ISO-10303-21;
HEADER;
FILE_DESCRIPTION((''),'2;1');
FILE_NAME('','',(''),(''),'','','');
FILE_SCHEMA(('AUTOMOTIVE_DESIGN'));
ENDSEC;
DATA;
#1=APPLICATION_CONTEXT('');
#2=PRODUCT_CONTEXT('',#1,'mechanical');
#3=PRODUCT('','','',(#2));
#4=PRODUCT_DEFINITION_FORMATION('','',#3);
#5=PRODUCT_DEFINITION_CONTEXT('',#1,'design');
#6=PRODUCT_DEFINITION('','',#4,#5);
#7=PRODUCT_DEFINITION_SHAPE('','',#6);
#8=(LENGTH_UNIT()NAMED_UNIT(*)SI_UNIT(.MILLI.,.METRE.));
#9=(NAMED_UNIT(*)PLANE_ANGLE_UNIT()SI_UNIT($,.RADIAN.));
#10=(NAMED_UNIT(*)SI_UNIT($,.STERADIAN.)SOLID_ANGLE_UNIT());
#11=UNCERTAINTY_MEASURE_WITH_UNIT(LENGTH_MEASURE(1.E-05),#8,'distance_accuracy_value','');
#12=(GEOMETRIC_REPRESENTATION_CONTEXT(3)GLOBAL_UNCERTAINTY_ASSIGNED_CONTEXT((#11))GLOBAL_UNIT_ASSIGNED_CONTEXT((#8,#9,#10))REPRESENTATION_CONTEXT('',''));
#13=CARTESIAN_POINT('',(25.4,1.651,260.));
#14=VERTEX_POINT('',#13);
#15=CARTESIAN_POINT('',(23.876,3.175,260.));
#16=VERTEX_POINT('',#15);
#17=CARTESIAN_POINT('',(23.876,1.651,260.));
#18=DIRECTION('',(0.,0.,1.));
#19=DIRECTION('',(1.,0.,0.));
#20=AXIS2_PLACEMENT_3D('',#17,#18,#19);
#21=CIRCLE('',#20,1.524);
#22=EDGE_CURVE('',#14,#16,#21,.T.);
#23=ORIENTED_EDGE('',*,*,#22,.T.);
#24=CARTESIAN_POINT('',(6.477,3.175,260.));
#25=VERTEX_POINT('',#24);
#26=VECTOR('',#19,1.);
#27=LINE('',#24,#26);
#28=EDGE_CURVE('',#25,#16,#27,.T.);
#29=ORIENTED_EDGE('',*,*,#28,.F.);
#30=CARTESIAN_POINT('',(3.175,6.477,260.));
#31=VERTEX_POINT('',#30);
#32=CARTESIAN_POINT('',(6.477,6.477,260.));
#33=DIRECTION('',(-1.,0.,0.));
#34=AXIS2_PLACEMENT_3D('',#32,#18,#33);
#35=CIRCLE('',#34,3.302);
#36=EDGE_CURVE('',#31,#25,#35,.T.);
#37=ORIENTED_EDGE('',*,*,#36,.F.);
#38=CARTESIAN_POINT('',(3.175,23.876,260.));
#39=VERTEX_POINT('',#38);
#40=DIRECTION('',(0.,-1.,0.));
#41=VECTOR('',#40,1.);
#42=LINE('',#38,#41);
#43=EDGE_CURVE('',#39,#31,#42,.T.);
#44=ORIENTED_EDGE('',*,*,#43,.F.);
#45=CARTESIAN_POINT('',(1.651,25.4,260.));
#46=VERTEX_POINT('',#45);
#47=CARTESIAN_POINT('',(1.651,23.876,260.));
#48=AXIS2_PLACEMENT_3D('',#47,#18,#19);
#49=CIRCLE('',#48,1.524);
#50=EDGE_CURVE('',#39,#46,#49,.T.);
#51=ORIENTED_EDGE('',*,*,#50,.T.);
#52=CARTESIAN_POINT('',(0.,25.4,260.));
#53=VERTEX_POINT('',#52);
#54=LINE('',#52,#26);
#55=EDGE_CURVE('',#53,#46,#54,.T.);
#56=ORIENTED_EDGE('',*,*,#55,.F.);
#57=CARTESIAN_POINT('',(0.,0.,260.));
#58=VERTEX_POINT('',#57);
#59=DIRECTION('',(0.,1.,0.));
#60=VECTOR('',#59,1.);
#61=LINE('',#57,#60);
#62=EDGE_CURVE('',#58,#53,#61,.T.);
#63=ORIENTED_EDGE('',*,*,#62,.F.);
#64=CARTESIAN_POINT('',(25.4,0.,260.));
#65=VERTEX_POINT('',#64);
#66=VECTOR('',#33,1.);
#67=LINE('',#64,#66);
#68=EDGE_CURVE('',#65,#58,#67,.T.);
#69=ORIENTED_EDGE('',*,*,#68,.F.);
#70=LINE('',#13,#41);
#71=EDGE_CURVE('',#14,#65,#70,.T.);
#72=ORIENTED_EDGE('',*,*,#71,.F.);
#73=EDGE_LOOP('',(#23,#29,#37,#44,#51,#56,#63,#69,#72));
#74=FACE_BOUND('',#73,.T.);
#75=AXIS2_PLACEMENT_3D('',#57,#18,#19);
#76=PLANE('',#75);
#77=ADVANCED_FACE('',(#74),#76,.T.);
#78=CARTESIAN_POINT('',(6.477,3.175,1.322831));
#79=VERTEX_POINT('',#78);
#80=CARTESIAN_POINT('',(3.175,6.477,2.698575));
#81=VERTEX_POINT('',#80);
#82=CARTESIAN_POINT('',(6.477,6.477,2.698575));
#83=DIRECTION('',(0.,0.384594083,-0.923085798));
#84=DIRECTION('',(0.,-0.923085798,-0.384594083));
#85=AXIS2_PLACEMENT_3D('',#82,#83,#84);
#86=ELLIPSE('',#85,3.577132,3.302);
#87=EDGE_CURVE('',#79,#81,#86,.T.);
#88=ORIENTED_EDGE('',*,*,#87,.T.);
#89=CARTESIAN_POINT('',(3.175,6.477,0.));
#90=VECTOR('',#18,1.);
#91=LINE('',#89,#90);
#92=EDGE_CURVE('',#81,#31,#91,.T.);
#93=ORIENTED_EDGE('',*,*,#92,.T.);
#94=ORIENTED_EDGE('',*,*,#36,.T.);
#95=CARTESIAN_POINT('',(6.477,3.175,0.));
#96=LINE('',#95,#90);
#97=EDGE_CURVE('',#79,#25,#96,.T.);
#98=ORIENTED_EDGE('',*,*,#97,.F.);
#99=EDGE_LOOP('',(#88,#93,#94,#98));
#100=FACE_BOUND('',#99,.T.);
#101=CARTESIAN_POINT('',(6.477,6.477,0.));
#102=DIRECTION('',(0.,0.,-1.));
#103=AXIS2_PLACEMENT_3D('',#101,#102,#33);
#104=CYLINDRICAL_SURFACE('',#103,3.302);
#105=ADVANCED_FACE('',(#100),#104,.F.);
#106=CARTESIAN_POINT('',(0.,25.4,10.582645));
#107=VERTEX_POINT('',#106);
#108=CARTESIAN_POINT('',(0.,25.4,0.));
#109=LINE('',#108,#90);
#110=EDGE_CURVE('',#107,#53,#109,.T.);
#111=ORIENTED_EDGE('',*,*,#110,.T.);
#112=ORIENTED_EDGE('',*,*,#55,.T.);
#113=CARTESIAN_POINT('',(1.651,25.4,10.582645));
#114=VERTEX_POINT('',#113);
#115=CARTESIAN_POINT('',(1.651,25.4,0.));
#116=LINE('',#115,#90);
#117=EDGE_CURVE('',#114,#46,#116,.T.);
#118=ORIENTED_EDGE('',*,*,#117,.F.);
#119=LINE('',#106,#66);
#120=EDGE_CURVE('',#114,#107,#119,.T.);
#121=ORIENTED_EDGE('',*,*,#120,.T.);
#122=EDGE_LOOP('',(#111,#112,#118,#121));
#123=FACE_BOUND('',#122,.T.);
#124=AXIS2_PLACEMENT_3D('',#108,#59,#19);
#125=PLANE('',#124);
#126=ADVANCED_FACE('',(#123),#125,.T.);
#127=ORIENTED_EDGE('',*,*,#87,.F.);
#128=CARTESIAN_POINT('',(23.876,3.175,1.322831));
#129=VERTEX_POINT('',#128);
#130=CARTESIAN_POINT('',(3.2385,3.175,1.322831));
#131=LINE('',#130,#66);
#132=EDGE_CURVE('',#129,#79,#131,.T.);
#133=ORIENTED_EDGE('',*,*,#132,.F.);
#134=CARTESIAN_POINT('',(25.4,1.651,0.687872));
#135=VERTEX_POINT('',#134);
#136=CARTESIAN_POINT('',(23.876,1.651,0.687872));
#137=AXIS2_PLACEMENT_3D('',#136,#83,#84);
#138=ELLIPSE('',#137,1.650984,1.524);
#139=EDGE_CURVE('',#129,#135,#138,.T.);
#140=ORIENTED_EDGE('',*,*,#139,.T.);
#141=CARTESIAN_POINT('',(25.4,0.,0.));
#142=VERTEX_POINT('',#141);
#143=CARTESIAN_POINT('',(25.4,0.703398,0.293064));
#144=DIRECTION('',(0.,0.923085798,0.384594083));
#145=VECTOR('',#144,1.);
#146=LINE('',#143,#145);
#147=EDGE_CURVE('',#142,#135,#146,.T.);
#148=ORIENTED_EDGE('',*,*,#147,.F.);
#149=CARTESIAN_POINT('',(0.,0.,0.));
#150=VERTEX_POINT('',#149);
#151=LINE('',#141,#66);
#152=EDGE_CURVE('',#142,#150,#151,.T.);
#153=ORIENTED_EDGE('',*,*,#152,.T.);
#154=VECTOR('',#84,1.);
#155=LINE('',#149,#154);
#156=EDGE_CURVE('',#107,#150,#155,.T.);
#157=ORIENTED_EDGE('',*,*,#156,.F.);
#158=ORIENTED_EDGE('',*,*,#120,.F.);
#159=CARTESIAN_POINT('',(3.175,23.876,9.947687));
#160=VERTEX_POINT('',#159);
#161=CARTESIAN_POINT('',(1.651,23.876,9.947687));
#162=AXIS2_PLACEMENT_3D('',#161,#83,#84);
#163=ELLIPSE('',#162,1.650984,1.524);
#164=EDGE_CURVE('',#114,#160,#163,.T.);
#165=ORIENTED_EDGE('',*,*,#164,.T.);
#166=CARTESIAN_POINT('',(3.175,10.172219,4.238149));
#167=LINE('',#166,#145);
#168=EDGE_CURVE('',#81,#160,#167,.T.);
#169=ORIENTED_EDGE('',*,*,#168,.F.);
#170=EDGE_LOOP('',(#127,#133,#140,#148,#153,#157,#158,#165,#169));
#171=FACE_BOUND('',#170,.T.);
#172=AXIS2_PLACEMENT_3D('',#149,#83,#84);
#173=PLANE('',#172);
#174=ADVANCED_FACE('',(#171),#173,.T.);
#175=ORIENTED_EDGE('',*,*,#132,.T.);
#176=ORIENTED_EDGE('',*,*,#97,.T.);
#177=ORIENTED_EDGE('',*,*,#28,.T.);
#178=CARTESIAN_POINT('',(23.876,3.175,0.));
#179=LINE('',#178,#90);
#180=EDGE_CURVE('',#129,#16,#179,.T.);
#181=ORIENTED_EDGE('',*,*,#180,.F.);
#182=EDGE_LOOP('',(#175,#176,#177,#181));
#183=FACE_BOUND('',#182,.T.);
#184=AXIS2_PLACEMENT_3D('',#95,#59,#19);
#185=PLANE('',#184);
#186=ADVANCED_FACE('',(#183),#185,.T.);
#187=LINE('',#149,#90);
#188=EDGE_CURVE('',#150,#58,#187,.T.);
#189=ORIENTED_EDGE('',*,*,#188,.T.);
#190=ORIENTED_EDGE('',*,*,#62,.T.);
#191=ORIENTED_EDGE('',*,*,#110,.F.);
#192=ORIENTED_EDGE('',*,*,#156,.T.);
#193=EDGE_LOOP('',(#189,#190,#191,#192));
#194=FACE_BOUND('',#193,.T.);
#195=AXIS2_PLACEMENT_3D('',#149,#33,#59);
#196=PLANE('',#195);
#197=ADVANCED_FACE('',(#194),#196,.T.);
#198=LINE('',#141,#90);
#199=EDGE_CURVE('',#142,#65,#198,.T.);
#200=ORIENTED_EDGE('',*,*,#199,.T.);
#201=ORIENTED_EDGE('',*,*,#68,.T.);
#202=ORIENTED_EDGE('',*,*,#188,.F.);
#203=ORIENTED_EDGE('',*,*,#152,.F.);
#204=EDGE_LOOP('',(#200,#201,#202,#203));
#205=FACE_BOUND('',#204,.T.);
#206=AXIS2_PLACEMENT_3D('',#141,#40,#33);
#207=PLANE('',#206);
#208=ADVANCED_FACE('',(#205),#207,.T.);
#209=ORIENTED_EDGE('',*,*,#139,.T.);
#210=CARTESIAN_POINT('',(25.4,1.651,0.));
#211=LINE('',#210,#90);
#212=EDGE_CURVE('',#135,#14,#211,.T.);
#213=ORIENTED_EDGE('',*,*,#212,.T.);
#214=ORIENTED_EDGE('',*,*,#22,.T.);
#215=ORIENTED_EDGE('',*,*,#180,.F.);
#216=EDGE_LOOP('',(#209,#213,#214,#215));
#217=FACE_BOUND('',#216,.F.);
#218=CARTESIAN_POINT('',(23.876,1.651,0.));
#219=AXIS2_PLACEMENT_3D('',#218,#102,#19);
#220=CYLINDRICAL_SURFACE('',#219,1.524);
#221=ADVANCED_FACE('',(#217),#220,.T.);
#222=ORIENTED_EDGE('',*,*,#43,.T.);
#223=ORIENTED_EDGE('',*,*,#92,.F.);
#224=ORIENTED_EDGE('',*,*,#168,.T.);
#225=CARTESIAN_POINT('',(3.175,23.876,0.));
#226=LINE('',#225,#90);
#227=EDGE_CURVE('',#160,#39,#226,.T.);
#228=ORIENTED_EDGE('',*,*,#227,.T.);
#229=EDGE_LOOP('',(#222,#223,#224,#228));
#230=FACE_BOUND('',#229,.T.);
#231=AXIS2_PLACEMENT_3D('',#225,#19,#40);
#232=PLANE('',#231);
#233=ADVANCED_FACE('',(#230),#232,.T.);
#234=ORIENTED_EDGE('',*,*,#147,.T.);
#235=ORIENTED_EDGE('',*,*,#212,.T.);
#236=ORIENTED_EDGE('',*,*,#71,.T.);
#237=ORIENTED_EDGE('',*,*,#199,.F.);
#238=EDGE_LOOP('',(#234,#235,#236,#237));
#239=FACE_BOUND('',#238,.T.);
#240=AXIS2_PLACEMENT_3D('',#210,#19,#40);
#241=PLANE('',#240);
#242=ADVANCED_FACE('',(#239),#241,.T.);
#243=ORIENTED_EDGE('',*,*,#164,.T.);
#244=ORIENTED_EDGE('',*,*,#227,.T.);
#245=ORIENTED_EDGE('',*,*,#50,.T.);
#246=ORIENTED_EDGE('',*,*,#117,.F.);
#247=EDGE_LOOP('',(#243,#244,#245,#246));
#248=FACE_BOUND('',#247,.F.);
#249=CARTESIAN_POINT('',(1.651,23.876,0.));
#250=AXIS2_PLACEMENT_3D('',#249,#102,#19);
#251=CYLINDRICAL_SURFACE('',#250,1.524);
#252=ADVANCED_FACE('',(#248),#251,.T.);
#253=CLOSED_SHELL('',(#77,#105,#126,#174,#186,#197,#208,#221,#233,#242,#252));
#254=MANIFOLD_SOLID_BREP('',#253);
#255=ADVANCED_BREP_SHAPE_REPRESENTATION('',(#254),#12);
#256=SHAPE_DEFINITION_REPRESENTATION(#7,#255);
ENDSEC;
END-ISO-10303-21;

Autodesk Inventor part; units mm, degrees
ref_plane "Start Plane" through (0, 0, 0) normal (0, 0, 1) x (1, 0, 0)
ref_plane "End Plane" through (0, 0, 260) normal (0, 0, 1) x (1, 0, 0)
sketch "Sketch" plane through (0, 0, 0) normal (0, 0, 1) x (1, 0, 0)
  line L0 (25.4, 0) -> (0, 0)
  line L1 (0, 0) -> (0, 25.4)
  line L2 (0, 25.4) -> (1.651, 25.4)
  line L3 (3.175, 23.876) -> (3.175, 6.477)
  line L4 (6.477, 3.175) -> (23.876, 3.175)
  line L5 (25.4, 1.651) -> (25.4, 0)
  line L6 (0, -11.0414) -> (0, 31.5385) construction
  line L7 (-11.0414, 0) -> (31.5385, 0) construction
  arc A0 (3.175, 6.477) -> (6.477, 3.175) centre (6.477, 6.477) ccw
  arc A1 (3.175, 23.876) -> (1.651, 25.4) centre (1.651, 23.876) ccw
  arc A2 (25.4, 1.651) -> (23.876, 3.175) centre (23.876, 1.651) ccw
  line L8 (0, 40.0545) -> (0, -19.5574) construction
  line L9 (-19.5574, 0) -> (40.0545, 0) construction
  point P0 (3.175, 25.4)
  point P1 (3.175, 3.175)
  point P2 (25.4, 3.175)
  dimension "d0" = 25.4
  dimension "d1" = 25.4
  dimension "d2" = 3.175
  dimension "d3" = 3.175
  dimension "d10" = 0
  dimension "d11" = 0
  dimension "d14" = 3.302
  dimension "d15" = 1.524
extrude "Body" add sketch "Sketch" along normal up to surface (260 mm away) from surface at 0
sketch "Sketch3" plane through (0, 0, 0) normal (0, 0, 1) x (1, 0, 0)
  line L0 (0, 0) -> (10, 0)
ref_plane "Work Plane3" through (0, 0, 0) normal (0, -1, 0) x (1, 0, 0)
ref_plane "Work Plane6" through (0, 0, 0) normal (0, 0.3846, -0.9231) x (1, 0, 0)
split "Split3" plane through (0, 0, 0) removes the side toward (0, 0.3846, -0.9231)
sketch "Sketch4" plane through (0, 0, 0) normal (0, -1, 0) x (1, 0, 0)
  line L0 (-2, 0) -> (12, 0) projected
  line L1 (-2, 260) -> (12, 260) projected
  dimension "d17" = 260
equation "\"d0\" = G_H"
equation "\"d1\" = G_H"
equation "\"d2\" = G_T"
equation "\"d3\" = G_T"
equation "\"d14\" = G_IR"
equation "\"d15\" = G_ER"
equation "\"d4\" = G_L"
equation "\"G_H\" = 25.4"
equation "\"G_T\" = 3.175"
equation "\"G_ER\" = 1.524"
equation "\"G_IR\" = 3.302"
equation "\"G_L\" = d17"
equation "\"ex\" = 0"
equation "\"G_OFFSET_START\" = 0"
equation "\"G_OFFSET_END\" = 0"
equation "\"d13\" = G_OFFSET_END + B_L"
equation "\"B_L\" = 260"
properties part number "AISC - L 1 x 1 x 1/8 - 10.236" material "Steel, Mild"
